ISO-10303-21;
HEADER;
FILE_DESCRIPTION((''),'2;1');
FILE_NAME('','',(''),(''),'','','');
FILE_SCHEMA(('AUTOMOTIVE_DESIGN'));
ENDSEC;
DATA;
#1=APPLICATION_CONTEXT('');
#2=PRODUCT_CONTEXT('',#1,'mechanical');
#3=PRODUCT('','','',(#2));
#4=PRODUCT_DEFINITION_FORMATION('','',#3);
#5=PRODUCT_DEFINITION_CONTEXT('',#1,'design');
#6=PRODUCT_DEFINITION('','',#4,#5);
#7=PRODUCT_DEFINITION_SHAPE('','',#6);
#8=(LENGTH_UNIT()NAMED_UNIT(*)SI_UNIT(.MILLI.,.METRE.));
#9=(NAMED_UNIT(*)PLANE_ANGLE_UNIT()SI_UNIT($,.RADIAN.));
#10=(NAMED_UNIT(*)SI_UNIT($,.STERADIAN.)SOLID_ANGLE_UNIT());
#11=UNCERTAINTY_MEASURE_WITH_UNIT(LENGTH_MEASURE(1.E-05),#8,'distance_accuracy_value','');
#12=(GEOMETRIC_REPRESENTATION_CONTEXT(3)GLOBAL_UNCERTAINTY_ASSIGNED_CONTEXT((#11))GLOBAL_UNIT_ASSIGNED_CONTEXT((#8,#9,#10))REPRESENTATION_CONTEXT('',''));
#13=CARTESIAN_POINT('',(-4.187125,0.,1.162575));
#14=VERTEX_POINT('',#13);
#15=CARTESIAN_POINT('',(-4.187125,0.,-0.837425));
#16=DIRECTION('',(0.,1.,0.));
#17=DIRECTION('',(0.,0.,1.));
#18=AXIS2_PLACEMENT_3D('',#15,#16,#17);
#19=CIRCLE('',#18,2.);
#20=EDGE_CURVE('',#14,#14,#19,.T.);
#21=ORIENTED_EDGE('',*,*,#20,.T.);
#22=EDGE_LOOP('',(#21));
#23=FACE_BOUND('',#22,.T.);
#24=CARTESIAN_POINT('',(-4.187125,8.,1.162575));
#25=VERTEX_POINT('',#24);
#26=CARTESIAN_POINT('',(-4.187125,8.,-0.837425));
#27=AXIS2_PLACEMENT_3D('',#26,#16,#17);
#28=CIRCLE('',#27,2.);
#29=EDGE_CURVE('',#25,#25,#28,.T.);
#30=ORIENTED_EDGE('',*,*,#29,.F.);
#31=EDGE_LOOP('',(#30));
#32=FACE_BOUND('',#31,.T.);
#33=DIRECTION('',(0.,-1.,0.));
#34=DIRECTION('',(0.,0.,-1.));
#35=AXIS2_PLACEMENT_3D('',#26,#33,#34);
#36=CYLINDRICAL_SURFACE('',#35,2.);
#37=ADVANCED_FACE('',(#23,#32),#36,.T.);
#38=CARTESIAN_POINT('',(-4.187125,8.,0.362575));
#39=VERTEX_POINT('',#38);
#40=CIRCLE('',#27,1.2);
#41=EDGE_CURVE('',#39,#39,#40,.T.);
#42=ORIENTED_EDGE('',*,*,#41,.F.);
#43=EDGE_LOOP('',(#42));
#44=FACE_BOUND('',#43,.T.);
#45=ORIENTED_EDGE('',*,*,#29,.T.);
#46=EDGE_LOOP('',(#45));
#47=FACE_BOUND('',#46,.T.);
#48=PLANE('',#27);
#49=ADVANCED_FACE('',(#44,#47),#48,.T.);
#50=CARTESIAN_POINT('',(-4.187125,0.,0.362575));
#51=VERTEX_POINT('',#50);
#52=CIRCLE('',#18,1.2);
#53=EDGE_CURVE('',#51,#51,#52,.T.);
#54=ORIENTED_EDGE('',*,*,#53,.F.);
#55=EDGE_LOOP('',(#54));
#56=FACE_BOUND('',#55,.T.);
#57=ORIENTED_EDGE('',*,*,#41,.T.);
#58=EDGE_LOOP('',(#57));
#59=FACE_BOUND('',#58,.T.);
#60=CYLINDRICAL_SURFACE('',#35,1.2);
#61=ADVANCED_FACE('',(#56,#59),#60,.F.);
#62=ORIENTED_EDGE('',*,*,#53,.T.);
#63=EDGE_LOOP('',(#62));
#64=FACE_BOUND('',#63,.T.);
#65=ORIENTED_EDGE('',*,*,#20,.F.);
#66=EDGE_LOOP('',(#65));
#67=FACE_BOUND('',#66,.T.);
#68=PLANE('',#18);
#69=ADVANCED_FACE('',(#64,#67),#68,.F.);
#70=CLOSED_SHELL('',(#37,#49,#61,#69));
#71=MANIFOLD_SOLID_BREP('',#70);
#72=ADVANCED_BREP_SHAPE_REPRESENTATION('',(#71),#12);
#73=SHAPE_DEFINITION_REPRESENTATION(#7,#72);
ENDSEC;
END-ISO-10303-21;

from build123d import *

# Parameters (mm, degrees)
SKETCH1_R           = 2
SKETCH1_R_2         = 1.2
BOSS_EXTRUDE1_DEPTH = 8


with BuildPart() as part:
    # Sketch1 → Boss-Extrude1 (new body)
    with BuildSketch(Plane(origin=(0, 0, 0), x_dir=(1, 0, 0), z_dir=(0, 1, 0))):
        with Locations(Location((-4.18712532, 0.837425064, 0), (0, 0, 270))):
            Circle(SKETCH1_R)
        with Locations(Location((-4.18712532, 0.837425064, 0), (0, 0, 270))):
            Circle(SKETCH1_R_2, mode=Mode.SUBTRACT)
    extrude(amount=BOSS_EXTRUDE1_DEPTH)


solid = part.part
